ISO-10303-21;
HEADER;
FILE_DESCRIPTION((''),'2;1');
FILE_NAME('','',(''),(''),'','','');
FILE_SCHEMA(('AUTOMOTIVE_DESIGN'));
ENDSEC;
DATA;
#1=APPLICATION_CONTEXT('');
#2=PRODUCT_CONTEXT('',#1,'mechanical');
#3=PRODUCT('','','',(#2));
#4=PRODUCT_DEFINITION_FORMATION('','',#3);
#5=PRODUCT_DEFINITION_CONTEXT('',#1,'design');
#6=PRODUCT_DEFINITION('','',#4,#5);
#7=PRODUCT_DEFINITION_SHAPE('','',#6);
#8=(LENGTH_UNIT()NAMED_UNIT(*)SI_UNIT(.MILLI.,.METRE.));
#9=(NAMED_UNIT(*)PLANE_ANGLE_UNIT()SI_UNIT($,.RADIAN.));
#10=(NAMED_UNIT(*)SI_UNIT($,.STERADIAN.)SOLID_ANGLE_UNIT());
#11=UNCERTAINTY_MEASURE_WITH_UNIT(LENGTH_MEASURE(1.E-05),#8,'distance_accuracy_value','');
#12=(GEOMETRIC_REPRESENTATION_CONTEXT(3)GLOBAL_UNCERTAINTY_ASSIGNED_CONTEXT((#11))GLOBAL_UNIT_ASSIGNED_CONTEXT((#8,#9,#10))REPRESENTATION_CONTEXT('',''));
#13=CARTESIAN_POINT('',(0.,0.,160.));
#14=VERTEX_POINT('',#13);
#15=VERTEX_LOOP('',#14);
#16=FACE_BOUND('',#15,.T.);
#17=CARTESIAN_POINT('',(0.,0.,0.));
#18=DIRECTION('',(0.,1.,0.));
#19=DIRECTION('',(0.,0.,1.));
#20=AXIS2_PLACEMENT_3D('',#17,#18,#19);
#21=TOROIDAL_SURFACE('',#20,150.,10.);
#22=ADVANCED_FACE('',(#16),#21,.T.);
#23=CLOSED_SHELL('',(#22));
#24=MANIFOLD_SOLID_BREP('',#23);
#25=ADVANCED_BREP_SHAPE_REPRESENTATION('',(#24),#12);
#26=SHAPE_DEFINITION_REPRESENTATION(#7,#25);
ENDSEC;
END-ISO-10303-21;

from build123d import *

# Parameters (mm, degrees)
SKETCH1_R = 10


with BuildPart() as part:
    # Sketch1 → Revolve1 (revolve)
    with BuildSketch(Plane.XY):
        with Locations((-150, 0)):
            Circle(SKETCH1_R)
    revolve(axis=Axis((0, 52.071428571, 0), (0, -1, 0)))


solid = part.part
